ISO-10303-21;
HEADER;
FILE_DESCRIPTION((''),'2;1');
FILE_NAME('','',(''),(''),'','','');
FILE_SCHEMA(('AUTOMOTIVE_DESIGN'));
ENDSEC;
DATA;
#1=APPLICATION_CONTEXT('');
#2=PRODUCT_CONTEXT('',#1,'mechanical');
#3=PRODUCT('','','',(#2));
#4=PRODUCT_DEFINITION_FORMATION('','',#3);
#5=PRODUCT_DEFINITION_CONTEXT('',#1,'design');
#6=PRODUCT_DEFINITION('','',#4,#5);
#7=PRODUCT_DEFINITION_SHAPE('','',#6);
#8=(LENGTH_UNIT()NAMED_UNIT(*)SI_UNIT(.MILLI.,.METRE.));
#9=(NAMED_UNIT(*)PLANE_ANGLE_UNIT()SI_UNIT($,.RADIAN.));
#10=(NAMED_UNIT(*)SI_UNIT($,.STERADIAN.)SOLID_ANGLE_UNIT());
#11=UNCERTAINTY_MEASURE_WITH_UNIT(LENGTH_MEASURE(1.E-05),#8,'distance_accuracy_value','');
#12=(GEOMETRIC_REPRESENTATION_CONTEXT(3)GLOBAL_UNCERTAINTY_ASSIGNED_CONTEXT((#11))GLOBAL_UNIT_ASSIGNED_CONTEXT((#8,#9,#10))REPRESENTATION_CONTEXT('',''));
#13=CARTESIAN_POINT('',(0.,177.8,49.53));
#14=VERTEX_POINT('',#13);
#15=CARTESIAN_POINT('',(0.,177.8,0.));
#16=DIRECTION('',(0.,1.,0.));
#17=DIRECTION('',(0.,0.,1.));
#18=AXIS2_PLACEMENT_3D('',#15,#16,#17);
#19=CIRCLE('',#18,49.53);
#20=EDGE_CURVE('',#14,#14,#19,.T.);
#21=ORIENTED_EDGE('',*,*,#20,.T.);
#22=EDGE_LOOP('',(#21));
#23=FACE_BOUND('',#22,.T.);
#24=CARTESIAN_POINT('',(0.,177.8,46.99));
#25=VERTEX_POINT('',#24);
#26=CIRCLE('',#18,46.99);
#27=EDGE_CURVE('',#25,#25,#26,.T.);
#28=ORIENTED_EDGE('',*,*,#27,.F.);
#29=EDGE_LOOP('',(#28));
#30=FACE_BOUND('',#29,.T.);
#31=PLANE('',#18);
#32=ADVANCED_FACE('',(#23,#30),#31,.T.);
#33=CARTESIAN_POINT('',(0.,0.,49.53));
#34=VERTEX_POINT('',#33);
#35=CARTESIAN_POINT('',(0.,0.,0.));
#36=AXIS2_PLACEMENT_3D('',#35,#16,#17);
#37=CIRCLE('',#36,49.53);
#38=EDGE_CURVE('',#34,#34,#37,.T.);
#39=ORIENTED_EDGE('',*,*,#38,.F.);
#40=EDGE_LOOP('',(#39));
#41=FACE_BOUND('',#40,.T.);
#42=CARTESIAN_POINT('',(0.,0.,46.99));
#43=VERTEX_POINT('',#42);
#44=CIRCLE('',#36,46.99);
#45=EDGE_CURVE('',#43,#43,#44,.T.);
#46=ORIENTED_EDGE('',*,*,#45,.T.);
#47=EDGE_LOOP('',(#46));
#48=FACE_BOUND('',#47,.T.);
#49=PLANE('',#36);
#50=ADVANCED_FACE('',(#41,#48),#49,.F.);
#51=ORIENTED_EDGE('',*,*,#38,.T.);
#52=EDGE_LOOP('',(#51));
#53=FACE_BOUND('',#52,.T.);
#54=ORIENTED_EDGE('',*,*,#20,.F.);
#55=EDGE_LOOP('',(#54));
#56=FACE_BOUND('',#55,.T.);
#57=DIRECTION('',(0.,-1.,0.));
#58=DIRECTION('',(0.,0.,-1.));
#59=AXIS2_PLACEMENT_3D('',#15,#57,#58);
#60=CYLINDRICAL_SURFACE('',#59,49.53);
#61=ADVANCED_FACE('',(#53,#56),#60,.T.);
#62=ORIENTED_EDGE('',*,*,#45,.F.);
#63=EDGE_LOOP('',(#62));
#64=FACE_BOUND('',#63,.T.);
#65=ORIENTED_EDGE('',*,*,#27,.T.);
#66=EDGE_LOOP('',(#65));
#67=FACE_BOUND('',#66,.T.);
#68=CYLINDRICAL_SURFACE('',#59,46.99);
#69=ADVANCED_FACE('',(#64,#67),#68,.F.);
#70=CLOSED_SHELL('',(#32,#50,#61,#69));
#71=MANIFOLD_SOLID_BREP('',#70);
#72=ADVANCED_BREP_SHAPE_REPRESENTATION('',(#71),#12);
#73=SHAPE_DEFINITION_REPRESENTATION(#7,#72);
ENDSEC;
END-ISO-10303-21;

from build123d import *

# Parameters (mm, degrees)
SKETCH2_R           = 49.53
SKETCH2_R_2         = 46.99
BOSS_EXTRUDE1_DEPTH = 177.8


with BuildPart() as part:
    # Sketch2 → Boss-Extrude1 (new body)
    with BuildSketch(Plane(origin=(0, 0, 0), x_dir=(1, 0, 0), z_dir=(0, 1, 0))):
        with Locations(Location((0, 0, 0), (0, 0, 270))):
            Circle(SKETCH2_R)
        with Locations(Location((0, 0, 0), (0, 0, 270))):
            Circle(SKETCH2_R_2, mode=Mode.SUBTRACT)
    extrude(amount=BOSS_EXTRUDE1_DEPTH)


solid = part.part
